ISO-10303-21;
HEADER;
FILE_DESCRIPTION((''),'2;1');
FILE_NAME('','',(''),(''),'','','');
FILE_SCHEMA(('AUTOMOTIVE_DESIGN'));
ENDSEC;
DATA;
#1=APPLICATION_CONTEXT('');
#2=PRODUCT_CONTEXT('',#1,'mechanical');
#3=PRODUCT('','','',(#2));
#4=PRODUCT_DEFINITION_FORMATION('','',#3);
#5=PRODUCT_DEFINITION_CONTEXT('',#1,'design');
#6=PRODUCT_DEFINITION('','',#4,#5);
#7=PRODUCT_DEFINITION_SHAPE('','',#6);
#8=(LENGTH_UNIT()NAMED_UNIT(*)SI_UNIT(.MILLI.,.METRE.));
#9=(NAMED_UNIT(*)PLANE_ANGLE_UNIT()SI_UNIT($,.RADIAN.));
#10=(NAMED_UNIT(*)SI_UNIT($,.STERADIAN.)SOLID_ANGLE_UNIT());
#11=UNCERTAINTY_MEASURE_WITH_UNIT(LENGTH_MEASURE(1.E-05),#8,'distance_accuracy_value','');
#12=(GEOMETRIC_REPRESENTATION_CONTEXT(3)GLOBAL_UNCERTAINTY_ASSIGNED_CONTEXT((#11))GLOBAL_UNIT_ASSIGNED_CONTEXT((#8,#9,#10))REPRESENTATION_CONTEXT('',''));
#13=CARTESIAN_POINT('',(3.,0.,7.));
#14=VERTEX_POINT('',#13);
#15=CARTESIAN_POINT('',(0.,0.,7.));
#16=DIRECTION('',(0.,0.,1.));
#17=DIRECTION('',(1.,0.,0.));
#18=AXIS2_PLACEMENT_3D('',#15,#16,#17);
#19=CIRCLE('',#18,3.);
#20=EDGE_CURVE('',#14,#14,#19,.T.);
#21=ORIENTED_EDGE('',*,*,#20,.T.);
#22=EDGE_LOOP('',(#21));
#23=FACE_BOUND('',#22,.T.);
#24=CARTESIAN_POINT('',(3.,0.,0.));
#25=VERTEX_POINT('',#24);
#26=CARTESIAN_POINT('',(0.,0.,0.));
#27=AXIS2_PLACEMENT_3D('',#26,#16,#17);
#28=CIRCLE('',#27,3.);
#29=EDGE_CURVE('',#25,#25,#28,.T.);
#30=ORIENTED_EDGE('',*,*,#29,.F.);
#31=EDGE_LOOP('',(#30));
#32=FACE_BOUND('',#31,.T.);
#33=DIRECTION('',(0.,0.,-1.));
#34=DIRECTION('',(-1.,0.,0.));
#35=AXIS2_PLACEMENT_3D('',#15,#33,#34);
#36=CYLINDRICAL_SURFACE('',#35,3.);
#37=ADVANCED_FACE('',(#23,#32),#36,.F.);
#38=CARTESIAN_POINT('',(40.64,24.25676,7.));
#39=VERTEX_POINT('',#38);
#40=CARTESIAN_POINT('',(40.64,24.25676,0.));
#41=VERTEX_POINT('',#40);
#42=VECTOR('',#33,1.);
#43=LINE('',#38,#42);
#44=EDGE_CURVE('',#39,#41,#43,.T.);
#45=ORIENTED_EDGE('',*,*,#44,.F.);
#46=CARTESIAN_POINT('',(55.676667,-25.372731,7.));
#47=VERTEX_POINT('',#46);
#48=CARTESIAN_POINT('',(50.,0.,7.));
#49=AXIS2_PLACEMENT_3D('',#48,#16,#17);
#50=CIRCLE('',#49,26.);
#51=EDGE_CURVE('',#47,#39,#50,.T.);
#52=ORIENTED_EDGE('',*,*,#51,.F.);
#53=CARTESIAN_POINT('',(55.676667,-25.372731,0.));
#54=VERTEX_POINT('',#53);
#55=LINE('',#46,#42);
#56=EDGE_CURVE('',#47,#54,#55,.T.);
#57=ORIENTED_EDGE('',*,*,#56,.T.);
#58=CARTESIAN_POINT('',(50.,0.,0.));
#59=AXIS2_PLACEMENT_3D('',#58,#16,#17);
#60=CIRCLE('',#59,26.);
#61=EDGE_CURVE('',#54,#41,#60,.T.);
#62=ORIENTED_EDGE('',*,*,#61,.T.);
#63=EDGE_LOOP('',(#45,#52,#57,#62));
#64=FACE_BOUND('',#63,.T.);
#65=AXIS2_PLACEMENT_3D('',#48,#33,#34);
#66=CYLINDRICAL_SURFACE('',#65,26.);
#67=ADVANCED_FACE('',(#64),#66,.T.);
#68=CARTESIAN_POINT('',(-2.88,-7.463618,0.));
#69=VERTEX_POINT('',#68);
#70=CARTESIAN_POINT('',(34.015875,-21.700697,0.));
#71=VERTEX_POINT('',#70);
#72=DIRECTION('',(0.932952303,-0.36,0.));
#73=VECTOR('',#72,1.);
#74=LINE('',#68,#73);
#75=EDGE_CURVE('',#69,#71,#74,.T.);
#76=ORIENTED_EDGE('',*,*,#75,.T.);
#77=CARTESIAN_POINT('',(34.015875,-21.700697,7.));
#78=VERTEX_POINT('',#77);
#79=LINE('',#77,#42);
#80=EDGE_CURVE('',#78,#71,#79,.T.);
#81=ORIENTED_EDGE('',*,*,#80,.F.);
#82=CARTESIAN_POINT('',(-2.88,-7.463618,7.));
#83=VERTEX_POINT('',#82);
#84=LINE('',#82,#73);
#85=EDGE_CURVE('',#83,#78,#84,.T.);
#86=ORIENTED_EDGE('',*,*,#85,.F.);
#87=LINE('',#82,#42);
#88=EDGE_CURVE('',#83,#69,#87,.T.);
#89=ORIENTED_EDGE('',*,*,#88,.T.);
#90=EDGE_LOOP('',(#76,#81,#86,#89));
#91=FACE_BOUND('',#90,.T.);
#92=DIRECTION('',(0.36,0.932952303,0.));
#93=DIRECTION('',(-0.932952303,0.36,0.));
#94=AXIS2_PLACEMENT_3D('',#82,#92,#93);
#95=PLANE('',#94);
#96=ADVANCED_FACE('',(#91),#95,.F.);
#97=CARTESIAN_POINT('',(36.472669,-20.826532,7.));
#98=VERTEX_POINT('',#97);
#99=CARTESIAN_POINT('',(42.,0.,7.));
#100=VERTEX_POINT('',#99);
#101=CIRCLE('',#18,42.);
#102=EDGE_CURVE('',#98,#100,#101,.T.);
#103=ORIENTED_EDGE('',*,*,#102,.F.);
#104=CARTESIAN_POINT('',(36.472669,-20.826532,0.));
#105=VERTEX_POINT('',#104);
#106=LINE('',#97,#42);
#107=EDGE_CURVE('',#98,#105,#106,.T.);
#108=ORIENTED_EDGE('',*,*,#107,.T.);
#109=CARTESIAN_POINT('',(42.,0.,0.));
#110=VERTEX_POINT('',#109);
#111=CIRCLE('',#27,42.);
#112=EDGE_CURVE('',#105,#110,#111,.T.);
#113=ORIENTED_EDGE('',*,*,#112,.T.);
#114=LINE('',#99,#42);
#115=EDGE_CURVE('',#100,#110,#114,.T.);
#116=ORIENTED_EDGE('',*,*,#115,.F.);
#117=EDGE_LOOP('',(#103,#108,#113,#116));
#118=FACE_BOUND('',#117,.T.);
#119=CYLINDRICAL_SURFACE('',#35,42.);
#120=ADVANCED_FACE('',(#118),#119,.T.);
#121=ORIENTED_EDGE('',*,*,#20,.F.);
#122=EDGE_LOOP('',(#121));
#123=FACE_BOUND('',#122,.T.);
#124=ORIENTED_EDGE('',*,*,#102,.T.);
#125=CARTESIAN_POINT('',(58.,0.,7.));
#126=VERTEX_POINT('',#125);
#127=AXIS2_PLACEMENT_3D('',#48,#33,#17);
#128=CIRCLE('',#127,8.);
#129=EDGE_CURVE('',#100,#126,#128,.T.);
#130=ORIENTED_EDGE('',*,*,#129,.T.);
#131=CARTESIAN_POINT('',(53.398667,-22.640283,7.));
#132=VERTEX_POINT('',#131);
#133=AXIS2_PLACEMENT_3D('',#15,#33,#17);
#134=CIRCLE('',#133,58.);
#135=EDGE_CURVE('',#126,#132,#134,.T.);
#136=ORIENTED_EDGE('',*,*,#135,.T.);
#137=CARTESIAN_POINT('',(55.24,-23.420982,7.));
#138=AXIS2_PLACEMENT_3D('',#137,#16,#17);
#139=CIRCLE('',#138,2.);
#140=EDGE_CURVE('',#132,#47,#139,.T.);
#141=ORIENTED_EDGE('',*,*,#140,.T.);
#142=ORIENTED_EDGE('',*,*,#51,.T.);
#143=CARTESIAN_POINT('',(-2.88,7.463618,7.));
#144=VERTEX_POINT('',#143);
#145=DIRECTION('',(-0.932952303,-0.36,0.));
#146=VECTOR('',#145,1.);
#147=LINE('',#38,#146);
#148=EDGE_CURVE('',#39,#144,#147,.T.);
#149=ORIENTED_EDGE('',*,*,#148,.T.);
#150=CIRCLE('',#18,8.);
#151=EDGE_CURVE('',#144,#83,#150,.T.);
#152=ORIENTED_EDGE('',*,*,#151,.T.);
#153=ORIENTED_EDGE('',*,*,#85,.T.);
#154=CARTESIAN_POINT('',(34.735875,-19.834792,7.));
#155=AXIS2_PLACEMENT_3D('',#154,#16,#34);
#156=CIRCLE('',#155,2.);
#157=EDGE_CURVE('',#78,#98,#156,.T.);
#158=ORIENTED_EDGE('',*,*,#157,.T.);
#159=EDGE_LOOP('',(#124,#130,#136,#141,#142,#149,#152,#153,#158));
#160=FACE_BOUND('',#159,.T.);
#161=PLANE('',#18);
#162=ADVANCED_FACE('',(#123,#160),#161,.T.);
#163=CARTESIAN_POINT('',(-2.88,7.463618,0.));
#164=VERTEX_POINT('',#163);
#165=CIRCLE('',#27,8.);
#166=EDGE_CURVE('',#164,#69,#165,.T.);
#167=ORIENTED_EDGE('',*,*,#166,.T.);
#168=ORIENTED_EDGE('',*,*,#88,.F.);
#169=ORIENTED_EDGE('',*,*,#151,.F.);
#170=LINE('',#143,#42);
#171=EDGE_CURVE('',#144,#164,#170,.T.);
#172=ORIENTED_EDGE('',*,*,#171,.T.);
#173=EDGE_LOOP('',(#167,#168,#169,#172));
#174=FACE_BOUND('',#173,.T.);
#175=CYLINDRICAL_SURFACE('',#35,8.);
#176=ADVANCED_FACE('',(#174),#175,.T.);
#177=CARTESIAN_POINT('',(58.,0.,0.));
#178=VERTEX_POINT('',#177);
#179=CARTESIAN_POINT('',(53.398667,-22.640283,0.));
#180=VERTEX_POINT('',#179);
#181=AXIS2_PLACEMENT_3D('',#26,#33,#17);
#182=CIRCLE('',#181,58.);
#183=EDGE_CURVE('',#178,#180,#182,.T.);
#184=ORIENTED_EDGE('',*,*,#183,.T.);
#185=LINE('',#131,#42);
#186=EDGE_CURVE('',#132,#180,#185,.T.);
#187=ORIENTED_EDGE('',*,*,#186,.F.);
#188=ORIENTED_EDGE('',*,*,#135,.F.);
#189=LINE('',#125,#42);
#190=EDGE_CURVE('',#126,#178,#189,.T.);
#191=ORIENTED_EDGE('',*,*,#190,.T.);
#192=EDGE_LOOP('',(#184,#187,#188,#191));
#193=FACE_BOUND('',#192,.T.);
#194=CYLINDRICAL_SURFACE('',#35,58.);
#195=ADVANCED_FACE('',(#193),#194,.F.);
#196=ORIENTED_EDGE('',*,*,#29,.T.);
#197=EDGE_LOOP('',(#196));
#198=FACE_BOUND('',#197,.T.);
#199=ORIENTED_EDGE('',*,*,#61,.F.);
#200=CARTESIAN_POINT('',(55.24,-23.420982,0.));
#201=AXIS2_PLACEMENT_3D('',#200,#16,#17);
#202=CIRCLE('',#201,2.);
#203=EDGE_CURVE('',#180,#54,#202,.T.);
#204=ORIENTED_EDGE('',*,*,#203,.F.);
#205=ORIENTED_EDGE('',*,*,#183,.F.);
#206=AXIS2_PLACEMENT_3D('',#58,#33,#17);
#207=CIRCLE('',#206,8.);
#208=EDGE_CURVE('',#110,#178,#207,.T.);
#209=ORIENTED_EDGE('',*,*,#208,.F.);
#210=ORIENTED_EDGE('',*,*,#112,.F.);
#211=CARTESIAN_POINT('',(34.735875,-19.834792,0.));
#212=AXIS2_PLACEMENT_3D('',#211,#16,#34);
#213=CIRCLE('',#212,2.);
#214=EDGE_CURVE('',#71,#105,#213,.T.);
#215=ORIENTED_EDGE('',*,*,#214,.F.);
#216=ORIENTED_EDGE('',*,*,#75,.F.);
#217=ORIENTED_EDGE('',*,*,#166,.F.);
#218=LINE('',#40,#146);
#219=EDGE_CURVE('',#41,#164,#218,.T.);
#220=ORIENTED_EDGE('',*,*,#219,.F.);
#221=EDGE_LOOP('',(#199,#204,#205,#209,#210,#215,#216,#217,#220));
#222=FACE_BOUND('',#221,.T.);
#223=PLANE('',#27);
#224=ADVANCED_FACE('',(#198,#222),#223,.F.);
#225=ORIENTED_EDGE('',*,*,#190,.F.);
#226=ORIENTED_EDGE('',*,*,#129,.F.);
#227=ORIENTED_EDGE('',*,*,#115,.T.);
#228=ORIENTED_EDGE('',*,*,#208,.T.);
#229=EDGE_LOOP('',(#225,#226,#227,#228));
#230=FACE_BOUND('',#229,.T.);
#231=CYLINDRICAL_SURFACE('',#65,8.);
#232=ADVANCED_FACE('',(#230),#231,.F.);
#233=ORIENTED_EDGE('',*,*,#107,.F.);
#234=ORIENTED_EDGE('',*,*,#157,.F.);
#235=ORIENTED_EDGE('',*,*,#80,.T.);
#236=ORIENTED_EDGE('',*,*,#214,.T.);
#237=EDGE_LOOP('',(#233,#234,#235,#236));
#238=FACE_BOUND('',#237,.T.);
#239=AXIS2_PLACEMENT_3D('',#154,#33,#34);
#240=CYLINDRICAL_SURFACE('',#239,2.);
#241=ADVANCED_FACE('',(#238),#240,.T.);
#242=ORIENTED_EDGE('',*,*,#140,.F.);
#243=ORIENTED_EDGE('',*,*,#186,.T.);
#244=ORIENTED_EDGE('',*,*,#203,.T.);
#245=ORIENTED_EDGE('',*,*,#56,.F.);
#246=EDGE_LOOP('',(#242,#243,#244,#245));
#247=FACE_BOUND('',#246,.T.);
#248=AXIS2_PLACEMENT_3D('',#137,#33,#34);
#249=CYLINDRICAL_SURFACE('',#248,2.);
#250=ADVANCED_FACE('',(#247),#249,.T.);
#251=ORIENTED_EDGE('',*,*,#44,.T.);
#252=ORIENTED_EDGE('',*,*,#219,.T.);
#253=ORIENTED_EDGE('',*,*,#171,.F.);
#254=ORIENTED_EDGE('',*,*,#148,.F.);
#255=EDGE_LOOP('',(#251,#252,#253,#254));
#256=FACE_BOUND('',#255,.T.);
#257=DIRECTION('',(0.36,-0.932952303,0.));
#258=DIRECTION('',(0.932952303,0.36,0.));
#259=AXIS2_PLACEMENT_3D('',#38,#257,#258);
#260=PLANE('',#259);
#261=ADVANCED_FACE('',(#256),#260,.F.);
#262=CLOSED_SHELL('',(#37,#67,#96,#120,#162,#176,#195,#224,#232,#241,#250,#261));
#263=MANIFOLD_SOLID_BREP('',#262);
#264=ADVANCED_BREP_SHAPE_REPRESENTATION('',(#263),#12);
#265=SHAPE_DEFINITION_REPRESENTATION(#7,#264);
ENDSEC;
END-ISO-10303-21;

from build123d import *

# Parameters (mm, degrees)
SKICA1_R                = 3
P_IDAT_VYSUNUT_M2_DEPTH = 7


with BuildPart() as part:
    # Skica1 → Přidat vysunutím2 (new body)
    with BuildSketch(Plane.XY):
        with BuildLine():
            Line((40.64, 24.256759883), (-2.88, 7.463618425))
            ThreePointArc((-2.88, 7.463618425), (-8, 0), (-2.88, -7.463618425))
            Line((-2.88, -7.463618425), (34.015875108, -21.700696777))
            ThreePointArc((34.015875108, -21.700696777), (35.406329056, -21.719066966), (36.472668864, -20.82653178))
            ThreePointArc((36.472668864, -20.82653178), (40.594655389, -10.773762289), (42, 0))
            ThreePointArc((42, 0), (50, 8), (58, 0))
            ThreePointArc((58, 0), (56.838027177, -11.55156555), (53.398666667, -22.640282644))
            ThreePointArc((53.398666667, -22.640282644), (53.703822927, -24.701669361), (55.676666667, -25.37273055))
            ThreePointArc((55.676666667, -25.37273055), (74.88299251, 7.539010793), (40.64, 24.256759883))
        make_face()
        Circle(SKICA1_R, mode=Mode.SUBTRACT)
    extrude(amount=P_IDAT_VYSUNUT_M2_DEPTH)


solid = part.part
